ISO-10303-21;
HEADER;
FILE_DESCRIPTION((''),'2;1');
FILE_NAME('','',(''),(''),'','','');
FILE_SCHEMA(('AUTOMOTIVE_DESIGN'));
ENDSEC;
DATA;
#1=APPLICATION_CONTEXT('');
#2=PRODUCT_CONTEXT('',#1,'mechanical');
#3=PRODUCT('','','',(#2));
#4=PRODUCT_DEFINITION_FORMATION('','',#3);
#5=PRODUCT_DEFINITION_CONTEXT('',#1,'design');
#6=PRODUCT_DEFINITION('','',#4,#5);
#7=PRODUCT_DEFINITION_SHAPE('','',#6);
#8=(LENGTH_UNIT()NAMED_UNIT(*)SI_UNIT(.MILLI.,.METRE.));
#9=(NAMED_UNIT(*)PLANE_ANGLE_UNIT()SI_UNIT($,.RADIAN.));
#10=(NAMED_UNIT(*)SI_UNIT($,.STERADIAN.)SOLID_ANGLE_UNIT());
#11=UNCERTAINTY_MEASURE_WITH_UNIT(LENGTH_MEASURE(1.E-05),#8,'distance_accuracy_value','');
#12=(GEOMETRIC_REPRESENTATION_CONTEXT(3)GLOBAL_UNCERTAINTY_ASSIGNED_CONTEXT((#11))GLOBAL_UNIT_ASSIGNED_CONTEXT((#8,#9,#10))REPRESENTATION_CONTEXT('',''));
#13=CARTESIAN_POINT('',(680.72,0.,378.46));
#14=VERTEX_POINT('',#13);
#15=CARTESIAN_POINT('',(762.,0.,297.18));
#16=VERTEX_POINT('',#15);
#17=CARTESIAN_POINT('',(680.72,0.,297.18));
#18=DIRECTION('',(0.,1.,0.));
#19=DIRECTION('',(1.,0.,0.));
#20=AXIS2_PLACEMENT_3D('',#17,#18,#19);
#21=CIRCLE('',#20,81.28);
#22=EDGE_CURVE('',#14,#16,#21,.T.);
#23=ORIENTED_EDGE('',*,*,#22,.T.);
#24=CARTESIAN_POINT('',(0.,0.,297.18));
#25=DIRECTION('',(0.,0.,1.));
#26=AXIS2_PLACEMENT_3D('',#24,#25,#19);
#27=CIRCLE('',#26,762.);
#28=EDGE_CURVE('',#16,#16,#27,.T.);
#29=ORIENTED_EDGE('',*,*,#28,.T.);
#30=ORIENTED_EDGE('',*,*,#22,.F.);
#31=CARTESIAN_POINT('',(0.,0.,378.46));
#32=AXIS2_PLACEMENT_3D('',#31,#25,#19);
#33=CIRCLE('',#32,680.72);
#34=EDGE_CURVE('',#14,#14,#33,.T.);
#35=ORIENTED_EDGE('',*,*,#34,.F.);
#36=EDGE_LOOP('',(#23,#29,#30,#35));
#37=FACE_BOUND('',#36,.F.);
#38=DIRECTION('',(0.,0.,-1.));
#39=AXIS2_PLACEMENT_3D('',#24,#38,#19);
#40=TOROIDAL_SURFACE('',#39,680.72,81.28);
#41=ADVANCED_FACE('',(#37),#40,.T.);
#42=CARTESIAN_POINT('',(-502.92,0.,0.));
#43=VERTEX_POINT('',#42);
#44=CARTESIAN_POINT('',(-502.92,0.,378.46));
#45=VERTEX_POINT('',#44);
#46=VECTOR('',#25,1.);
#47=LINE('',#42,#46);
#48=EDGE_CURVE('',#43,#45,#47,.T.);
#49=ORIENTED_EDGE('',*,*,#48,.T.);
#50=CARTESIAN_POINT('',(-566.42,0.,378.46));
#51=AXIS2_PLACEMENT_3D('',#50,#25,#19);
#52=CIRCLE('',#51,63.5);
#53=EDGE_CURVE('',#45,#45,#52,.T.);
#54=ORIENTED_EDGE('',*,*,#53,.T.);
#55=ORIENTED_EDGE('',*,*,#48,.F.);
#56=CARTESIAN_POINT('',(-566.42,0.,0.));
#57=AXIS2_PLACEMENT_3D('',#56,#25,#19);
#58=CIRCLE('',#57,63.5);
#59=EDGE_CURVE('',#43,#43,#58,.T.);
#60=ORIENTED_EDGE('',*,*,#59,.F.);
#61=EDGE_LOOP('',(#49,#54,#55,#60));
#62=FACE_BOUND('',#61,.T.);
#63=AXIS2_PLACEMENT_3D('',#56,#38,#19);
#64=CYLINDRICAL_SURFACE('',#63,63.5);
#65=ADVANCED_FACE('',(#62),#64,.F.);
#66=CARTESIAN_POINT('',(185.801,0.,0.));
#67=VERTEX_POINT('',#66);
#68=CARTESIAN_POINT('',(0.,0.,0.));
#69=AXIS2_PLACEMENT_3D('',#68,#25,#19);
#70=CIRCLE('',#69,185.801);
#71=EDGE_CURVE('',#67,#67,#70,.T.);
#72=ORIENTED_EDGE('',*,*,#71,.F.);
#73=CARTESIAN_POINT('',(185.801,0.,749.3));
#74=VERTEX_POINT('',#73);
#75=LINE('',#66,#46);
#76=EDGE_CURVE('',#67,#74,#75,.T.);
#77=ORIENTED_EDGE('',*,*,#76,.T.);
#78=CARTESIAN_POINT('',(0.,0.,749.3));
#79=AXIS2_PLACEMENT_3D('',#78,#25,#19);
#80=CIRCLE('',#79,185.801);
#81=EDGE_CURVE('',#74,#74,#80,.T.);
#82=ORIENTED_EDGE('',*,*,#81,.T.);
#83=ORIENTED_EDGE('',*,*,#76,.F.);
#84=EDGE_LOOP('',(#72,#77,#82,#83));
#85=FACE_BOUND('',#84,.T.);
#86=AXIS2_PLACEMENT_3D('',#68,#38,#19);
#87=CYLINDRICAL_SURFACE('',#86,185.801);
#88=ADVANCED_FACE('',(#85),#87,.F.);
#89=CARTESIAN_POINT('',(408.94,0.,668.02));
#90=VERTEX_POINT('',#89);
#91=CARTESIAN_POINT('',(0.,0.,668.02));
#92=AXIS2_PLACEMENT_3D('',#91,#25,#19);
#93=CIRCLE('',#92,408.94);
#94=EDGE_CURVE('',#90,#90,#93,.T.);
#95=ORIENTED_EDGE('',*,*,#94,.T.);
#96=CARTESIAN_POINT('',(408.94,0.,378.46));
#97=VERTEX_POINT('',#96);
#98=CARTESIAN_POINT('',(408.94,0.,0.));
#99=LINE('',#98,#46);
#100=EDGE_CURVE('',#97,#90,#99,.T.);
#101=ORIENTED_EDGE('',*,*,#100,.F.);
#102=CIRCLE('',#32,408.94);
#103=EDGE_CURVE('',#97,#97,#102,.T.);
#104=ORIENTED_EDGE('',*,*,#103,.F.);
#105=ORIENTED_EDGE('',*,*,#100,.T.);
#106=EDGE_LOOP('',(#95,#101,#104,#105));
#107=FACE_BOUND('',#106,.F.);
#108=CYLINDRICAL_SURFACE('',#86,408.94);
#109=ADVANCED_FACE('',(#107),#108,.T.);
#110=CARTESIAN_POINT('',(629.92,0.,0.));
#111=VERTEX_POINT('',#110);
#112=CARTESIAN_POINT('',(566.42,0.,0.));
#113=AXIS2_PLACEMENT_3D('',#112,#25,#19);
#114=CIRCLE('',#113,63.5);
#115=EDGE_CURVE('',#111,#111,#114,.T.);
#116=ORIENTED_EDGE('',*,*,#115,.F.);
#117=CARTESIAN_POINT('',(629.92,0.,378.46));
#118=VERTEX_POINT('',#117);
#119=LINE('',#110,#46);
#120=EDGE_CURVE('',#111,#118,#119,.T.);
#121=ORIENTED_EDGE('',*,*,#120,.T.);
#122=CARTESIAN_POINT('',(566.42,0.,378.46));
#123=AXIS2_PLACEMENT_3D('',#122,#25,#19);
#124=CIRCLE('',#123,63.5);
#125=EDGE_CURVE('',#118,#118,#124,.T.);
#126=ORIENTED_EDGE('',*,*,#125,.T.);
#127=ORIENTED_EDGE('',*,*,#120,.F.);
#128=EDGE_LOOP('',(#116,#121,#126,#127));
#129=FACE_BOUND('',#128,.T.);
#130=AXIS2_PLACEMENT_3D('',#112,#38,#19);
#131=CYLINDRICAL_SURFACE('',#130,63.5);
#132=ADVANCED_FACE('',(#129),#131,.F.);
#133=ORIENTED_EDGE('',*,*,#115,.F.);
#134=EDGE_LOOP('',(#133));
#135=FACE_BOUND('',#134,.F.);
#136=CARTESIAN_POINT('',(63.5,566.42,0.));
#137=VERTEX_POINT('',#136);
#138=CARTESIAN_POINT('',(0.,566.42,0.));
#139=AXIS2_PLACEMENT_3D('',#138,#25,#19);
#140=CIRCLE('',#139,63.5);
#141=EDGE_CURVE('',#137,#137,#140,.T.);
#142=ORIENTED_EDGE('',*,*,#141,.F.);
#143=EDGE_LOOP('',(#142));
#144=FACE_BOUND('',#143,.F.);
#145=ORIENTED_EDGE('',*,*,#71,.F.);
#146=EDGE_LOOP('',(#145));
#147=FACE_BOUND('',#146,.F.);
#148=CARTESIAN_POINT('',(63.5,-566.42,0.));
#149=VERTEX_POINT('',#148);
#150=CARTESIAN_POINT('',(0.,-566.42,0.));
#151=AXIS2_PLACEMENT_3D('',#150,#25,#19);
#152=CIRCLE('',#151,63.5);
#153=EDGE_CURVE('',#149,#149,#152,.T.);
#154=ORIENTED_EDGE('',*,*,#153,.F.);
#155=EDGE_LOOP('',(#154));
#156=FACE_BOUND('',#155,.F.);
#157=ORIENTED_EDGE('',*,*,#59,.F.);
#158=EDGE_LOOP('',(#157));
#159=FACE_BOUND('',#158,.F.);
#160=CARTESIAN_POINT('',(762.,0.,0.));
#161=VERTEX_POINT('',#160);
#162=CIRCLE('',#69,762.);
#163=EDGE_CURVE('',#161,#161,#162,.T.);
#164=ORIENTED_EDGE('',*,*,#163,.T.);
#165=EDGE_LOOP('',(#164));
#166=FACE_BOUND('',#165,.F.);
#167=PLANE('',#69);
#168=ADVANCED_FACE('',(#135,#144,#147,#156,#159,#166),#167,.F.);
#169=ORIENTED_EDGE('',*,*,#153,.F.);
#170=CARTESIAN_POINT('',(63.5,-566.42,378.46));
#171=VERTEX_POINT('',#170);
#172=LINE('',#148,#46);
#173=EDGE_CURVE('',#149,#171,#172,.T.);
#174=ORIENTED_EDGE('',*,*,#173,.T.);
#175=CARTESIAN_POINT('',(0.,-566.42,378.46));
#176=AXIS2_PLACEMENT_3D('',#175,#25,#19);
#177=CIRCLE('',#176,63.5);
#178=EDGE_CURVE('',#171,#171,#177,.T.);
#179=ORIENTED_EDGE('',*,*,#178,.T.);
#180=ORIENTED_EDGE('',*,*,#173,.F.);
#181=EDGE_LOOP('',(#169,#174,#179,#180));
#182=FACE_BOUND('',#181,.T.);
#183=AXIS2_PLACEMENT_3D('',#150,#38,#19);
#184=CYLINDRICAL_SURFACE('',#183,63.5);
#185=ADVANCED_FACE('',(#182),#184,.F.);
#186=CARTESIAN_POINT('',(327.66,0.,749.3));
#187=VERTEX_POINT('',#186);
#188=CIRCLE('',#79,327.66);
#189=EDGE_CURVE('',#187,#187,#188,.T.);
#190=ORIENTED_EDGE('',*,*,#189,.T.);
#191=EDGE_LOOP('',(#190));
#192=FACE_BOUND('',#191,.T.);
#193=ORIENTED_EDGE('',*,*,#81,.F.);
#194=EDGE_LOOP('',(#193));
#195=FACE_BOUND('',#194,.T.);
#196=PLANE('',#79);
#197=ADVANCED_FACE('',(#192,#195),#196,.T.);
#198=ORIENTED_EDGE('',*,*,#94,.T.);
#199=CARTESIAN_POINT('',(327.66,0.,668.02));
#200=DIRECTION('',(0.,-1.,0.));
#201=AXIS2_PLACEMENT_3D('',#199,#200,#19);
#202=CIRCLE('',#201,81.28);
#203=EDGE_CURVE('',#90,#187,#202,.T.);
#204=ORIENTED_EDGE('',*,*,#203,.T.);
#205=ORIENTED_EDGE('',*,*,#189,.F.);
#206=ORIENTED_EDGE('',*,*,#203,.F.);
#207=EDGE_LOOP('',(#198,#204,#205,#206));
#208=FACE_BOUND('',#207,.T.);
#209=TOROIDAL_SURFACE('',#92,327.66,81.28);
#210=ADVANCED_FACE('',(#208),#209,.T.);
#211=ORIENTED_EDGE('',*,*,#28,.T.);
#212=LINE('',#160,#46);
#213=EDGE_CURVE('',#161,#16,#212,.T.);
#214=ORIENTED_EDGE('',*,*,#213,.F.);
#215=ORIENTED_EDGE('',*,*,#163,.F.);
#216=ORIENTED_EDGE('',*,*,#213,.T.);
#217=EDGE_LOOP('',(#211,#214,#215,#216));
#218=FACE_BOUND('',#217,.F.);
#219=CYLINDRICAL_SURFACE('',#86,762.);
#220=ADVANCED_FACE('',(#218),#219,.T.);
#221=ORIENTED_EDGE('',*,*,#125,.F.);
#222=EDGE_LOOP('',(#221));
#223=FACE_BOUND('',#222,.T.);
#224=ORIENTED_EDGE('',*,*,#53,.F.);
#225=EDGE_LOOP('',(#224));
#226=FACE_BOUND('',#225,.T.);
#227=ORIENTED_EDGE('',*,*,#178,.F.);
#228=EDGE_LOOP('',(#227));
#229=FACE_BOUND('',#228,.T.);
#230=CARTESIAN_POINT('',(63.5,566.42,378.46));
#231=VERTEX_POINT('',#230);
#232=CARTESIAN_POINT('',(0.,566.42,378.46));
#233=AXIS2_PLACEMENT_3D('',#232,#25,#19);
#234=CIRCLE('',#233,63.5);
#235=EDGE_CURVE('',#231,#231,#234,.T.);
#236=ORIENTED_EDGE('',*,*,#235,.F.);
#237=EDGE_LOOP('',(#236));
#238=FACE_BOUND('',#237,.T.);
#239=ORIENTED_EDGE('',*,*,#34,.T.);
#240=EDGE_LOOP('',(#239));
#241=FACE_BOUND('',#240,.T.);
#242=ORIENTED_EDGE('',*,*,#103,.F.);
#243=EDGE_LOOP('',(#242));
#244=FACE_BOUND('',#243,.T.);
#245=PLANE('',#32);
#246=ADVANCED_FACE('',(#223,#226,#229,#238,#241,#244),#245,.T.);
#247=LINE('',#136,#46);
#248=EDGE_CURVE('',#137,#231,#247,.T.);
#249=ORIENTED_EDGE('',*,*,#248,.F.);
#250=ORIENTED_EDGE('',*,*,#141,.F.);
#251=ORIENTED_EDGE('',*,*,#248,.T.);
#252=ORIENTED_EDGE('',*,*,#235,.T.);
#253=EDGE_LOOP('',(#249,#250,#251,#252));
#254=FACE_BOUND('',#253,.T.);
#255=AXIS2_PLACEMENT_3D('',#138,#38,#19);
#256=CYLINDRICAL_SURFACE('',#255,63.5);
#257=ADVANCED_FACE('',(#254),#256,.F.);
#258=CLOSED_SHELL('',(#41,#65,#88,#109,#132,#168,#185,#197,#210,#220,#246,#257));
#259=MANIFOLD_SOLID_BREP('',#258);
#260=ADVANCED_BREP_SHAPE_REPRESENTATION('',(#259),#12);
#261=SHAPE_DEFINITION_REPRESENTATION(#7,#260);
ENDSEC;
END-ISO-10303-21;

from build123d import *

# Parameters (mm, degrees)
F0_R     = 408.94
F0_R_2   = 185.801
F1_DEPTH = 749.3
F0_R_3   = 762
F0_R_4   = 63.5
F2_DEPTH = 378.46
F3_R     = 81.28
F4_R     = 81.28


with BuildPart() as f1:
    # F0 (on Top) → F1 (new body)
    with BuildSketch(Plane.XY):
        Circle(F0_R)
        Circle(F0_R_2, mode=Mode.SUBTRACT)
    extrude(amount=F1_DEPTH)

    # F0 (on Top) → F2 (join)
    with BuildSketch(Plane.XY):
        Circle(F0_R_3)
        with Locations((0, -566.42)):
            Circle(F0_R_4, mode=Mode.SUBTRACT)
        with Locations((-566.42, 0)):
            Circle(F0_R_4, mode=Mode.SUBTRACT)
        Circle(F0_R, mode=Mode.SUBTRACT)
        with Locations((566.42, 0)):
            Circle(F0_R_4, mode=Mode.SUBTRACT)
        with Locations((0, 566.42)):
            Circle(F0_R_4, mode=Mode.SUBTRACT)
    extrude(amount=F2_DEPTH)

    # F3
    f3_edges = [f1.edges().sort_by_distance(p)[0] for p in [
        (-408.94, 0, 749.3),
    ]]
    fillet(f3_edges, radius=F3_R)

    # F4
    f4_edges = [f1.edges().sort_by_distance(p)[0] for p in [
        (-762, 0, 378.46),
    ]]
    fillet(f4_edges, radius=F4_R)


solid = f1.part
